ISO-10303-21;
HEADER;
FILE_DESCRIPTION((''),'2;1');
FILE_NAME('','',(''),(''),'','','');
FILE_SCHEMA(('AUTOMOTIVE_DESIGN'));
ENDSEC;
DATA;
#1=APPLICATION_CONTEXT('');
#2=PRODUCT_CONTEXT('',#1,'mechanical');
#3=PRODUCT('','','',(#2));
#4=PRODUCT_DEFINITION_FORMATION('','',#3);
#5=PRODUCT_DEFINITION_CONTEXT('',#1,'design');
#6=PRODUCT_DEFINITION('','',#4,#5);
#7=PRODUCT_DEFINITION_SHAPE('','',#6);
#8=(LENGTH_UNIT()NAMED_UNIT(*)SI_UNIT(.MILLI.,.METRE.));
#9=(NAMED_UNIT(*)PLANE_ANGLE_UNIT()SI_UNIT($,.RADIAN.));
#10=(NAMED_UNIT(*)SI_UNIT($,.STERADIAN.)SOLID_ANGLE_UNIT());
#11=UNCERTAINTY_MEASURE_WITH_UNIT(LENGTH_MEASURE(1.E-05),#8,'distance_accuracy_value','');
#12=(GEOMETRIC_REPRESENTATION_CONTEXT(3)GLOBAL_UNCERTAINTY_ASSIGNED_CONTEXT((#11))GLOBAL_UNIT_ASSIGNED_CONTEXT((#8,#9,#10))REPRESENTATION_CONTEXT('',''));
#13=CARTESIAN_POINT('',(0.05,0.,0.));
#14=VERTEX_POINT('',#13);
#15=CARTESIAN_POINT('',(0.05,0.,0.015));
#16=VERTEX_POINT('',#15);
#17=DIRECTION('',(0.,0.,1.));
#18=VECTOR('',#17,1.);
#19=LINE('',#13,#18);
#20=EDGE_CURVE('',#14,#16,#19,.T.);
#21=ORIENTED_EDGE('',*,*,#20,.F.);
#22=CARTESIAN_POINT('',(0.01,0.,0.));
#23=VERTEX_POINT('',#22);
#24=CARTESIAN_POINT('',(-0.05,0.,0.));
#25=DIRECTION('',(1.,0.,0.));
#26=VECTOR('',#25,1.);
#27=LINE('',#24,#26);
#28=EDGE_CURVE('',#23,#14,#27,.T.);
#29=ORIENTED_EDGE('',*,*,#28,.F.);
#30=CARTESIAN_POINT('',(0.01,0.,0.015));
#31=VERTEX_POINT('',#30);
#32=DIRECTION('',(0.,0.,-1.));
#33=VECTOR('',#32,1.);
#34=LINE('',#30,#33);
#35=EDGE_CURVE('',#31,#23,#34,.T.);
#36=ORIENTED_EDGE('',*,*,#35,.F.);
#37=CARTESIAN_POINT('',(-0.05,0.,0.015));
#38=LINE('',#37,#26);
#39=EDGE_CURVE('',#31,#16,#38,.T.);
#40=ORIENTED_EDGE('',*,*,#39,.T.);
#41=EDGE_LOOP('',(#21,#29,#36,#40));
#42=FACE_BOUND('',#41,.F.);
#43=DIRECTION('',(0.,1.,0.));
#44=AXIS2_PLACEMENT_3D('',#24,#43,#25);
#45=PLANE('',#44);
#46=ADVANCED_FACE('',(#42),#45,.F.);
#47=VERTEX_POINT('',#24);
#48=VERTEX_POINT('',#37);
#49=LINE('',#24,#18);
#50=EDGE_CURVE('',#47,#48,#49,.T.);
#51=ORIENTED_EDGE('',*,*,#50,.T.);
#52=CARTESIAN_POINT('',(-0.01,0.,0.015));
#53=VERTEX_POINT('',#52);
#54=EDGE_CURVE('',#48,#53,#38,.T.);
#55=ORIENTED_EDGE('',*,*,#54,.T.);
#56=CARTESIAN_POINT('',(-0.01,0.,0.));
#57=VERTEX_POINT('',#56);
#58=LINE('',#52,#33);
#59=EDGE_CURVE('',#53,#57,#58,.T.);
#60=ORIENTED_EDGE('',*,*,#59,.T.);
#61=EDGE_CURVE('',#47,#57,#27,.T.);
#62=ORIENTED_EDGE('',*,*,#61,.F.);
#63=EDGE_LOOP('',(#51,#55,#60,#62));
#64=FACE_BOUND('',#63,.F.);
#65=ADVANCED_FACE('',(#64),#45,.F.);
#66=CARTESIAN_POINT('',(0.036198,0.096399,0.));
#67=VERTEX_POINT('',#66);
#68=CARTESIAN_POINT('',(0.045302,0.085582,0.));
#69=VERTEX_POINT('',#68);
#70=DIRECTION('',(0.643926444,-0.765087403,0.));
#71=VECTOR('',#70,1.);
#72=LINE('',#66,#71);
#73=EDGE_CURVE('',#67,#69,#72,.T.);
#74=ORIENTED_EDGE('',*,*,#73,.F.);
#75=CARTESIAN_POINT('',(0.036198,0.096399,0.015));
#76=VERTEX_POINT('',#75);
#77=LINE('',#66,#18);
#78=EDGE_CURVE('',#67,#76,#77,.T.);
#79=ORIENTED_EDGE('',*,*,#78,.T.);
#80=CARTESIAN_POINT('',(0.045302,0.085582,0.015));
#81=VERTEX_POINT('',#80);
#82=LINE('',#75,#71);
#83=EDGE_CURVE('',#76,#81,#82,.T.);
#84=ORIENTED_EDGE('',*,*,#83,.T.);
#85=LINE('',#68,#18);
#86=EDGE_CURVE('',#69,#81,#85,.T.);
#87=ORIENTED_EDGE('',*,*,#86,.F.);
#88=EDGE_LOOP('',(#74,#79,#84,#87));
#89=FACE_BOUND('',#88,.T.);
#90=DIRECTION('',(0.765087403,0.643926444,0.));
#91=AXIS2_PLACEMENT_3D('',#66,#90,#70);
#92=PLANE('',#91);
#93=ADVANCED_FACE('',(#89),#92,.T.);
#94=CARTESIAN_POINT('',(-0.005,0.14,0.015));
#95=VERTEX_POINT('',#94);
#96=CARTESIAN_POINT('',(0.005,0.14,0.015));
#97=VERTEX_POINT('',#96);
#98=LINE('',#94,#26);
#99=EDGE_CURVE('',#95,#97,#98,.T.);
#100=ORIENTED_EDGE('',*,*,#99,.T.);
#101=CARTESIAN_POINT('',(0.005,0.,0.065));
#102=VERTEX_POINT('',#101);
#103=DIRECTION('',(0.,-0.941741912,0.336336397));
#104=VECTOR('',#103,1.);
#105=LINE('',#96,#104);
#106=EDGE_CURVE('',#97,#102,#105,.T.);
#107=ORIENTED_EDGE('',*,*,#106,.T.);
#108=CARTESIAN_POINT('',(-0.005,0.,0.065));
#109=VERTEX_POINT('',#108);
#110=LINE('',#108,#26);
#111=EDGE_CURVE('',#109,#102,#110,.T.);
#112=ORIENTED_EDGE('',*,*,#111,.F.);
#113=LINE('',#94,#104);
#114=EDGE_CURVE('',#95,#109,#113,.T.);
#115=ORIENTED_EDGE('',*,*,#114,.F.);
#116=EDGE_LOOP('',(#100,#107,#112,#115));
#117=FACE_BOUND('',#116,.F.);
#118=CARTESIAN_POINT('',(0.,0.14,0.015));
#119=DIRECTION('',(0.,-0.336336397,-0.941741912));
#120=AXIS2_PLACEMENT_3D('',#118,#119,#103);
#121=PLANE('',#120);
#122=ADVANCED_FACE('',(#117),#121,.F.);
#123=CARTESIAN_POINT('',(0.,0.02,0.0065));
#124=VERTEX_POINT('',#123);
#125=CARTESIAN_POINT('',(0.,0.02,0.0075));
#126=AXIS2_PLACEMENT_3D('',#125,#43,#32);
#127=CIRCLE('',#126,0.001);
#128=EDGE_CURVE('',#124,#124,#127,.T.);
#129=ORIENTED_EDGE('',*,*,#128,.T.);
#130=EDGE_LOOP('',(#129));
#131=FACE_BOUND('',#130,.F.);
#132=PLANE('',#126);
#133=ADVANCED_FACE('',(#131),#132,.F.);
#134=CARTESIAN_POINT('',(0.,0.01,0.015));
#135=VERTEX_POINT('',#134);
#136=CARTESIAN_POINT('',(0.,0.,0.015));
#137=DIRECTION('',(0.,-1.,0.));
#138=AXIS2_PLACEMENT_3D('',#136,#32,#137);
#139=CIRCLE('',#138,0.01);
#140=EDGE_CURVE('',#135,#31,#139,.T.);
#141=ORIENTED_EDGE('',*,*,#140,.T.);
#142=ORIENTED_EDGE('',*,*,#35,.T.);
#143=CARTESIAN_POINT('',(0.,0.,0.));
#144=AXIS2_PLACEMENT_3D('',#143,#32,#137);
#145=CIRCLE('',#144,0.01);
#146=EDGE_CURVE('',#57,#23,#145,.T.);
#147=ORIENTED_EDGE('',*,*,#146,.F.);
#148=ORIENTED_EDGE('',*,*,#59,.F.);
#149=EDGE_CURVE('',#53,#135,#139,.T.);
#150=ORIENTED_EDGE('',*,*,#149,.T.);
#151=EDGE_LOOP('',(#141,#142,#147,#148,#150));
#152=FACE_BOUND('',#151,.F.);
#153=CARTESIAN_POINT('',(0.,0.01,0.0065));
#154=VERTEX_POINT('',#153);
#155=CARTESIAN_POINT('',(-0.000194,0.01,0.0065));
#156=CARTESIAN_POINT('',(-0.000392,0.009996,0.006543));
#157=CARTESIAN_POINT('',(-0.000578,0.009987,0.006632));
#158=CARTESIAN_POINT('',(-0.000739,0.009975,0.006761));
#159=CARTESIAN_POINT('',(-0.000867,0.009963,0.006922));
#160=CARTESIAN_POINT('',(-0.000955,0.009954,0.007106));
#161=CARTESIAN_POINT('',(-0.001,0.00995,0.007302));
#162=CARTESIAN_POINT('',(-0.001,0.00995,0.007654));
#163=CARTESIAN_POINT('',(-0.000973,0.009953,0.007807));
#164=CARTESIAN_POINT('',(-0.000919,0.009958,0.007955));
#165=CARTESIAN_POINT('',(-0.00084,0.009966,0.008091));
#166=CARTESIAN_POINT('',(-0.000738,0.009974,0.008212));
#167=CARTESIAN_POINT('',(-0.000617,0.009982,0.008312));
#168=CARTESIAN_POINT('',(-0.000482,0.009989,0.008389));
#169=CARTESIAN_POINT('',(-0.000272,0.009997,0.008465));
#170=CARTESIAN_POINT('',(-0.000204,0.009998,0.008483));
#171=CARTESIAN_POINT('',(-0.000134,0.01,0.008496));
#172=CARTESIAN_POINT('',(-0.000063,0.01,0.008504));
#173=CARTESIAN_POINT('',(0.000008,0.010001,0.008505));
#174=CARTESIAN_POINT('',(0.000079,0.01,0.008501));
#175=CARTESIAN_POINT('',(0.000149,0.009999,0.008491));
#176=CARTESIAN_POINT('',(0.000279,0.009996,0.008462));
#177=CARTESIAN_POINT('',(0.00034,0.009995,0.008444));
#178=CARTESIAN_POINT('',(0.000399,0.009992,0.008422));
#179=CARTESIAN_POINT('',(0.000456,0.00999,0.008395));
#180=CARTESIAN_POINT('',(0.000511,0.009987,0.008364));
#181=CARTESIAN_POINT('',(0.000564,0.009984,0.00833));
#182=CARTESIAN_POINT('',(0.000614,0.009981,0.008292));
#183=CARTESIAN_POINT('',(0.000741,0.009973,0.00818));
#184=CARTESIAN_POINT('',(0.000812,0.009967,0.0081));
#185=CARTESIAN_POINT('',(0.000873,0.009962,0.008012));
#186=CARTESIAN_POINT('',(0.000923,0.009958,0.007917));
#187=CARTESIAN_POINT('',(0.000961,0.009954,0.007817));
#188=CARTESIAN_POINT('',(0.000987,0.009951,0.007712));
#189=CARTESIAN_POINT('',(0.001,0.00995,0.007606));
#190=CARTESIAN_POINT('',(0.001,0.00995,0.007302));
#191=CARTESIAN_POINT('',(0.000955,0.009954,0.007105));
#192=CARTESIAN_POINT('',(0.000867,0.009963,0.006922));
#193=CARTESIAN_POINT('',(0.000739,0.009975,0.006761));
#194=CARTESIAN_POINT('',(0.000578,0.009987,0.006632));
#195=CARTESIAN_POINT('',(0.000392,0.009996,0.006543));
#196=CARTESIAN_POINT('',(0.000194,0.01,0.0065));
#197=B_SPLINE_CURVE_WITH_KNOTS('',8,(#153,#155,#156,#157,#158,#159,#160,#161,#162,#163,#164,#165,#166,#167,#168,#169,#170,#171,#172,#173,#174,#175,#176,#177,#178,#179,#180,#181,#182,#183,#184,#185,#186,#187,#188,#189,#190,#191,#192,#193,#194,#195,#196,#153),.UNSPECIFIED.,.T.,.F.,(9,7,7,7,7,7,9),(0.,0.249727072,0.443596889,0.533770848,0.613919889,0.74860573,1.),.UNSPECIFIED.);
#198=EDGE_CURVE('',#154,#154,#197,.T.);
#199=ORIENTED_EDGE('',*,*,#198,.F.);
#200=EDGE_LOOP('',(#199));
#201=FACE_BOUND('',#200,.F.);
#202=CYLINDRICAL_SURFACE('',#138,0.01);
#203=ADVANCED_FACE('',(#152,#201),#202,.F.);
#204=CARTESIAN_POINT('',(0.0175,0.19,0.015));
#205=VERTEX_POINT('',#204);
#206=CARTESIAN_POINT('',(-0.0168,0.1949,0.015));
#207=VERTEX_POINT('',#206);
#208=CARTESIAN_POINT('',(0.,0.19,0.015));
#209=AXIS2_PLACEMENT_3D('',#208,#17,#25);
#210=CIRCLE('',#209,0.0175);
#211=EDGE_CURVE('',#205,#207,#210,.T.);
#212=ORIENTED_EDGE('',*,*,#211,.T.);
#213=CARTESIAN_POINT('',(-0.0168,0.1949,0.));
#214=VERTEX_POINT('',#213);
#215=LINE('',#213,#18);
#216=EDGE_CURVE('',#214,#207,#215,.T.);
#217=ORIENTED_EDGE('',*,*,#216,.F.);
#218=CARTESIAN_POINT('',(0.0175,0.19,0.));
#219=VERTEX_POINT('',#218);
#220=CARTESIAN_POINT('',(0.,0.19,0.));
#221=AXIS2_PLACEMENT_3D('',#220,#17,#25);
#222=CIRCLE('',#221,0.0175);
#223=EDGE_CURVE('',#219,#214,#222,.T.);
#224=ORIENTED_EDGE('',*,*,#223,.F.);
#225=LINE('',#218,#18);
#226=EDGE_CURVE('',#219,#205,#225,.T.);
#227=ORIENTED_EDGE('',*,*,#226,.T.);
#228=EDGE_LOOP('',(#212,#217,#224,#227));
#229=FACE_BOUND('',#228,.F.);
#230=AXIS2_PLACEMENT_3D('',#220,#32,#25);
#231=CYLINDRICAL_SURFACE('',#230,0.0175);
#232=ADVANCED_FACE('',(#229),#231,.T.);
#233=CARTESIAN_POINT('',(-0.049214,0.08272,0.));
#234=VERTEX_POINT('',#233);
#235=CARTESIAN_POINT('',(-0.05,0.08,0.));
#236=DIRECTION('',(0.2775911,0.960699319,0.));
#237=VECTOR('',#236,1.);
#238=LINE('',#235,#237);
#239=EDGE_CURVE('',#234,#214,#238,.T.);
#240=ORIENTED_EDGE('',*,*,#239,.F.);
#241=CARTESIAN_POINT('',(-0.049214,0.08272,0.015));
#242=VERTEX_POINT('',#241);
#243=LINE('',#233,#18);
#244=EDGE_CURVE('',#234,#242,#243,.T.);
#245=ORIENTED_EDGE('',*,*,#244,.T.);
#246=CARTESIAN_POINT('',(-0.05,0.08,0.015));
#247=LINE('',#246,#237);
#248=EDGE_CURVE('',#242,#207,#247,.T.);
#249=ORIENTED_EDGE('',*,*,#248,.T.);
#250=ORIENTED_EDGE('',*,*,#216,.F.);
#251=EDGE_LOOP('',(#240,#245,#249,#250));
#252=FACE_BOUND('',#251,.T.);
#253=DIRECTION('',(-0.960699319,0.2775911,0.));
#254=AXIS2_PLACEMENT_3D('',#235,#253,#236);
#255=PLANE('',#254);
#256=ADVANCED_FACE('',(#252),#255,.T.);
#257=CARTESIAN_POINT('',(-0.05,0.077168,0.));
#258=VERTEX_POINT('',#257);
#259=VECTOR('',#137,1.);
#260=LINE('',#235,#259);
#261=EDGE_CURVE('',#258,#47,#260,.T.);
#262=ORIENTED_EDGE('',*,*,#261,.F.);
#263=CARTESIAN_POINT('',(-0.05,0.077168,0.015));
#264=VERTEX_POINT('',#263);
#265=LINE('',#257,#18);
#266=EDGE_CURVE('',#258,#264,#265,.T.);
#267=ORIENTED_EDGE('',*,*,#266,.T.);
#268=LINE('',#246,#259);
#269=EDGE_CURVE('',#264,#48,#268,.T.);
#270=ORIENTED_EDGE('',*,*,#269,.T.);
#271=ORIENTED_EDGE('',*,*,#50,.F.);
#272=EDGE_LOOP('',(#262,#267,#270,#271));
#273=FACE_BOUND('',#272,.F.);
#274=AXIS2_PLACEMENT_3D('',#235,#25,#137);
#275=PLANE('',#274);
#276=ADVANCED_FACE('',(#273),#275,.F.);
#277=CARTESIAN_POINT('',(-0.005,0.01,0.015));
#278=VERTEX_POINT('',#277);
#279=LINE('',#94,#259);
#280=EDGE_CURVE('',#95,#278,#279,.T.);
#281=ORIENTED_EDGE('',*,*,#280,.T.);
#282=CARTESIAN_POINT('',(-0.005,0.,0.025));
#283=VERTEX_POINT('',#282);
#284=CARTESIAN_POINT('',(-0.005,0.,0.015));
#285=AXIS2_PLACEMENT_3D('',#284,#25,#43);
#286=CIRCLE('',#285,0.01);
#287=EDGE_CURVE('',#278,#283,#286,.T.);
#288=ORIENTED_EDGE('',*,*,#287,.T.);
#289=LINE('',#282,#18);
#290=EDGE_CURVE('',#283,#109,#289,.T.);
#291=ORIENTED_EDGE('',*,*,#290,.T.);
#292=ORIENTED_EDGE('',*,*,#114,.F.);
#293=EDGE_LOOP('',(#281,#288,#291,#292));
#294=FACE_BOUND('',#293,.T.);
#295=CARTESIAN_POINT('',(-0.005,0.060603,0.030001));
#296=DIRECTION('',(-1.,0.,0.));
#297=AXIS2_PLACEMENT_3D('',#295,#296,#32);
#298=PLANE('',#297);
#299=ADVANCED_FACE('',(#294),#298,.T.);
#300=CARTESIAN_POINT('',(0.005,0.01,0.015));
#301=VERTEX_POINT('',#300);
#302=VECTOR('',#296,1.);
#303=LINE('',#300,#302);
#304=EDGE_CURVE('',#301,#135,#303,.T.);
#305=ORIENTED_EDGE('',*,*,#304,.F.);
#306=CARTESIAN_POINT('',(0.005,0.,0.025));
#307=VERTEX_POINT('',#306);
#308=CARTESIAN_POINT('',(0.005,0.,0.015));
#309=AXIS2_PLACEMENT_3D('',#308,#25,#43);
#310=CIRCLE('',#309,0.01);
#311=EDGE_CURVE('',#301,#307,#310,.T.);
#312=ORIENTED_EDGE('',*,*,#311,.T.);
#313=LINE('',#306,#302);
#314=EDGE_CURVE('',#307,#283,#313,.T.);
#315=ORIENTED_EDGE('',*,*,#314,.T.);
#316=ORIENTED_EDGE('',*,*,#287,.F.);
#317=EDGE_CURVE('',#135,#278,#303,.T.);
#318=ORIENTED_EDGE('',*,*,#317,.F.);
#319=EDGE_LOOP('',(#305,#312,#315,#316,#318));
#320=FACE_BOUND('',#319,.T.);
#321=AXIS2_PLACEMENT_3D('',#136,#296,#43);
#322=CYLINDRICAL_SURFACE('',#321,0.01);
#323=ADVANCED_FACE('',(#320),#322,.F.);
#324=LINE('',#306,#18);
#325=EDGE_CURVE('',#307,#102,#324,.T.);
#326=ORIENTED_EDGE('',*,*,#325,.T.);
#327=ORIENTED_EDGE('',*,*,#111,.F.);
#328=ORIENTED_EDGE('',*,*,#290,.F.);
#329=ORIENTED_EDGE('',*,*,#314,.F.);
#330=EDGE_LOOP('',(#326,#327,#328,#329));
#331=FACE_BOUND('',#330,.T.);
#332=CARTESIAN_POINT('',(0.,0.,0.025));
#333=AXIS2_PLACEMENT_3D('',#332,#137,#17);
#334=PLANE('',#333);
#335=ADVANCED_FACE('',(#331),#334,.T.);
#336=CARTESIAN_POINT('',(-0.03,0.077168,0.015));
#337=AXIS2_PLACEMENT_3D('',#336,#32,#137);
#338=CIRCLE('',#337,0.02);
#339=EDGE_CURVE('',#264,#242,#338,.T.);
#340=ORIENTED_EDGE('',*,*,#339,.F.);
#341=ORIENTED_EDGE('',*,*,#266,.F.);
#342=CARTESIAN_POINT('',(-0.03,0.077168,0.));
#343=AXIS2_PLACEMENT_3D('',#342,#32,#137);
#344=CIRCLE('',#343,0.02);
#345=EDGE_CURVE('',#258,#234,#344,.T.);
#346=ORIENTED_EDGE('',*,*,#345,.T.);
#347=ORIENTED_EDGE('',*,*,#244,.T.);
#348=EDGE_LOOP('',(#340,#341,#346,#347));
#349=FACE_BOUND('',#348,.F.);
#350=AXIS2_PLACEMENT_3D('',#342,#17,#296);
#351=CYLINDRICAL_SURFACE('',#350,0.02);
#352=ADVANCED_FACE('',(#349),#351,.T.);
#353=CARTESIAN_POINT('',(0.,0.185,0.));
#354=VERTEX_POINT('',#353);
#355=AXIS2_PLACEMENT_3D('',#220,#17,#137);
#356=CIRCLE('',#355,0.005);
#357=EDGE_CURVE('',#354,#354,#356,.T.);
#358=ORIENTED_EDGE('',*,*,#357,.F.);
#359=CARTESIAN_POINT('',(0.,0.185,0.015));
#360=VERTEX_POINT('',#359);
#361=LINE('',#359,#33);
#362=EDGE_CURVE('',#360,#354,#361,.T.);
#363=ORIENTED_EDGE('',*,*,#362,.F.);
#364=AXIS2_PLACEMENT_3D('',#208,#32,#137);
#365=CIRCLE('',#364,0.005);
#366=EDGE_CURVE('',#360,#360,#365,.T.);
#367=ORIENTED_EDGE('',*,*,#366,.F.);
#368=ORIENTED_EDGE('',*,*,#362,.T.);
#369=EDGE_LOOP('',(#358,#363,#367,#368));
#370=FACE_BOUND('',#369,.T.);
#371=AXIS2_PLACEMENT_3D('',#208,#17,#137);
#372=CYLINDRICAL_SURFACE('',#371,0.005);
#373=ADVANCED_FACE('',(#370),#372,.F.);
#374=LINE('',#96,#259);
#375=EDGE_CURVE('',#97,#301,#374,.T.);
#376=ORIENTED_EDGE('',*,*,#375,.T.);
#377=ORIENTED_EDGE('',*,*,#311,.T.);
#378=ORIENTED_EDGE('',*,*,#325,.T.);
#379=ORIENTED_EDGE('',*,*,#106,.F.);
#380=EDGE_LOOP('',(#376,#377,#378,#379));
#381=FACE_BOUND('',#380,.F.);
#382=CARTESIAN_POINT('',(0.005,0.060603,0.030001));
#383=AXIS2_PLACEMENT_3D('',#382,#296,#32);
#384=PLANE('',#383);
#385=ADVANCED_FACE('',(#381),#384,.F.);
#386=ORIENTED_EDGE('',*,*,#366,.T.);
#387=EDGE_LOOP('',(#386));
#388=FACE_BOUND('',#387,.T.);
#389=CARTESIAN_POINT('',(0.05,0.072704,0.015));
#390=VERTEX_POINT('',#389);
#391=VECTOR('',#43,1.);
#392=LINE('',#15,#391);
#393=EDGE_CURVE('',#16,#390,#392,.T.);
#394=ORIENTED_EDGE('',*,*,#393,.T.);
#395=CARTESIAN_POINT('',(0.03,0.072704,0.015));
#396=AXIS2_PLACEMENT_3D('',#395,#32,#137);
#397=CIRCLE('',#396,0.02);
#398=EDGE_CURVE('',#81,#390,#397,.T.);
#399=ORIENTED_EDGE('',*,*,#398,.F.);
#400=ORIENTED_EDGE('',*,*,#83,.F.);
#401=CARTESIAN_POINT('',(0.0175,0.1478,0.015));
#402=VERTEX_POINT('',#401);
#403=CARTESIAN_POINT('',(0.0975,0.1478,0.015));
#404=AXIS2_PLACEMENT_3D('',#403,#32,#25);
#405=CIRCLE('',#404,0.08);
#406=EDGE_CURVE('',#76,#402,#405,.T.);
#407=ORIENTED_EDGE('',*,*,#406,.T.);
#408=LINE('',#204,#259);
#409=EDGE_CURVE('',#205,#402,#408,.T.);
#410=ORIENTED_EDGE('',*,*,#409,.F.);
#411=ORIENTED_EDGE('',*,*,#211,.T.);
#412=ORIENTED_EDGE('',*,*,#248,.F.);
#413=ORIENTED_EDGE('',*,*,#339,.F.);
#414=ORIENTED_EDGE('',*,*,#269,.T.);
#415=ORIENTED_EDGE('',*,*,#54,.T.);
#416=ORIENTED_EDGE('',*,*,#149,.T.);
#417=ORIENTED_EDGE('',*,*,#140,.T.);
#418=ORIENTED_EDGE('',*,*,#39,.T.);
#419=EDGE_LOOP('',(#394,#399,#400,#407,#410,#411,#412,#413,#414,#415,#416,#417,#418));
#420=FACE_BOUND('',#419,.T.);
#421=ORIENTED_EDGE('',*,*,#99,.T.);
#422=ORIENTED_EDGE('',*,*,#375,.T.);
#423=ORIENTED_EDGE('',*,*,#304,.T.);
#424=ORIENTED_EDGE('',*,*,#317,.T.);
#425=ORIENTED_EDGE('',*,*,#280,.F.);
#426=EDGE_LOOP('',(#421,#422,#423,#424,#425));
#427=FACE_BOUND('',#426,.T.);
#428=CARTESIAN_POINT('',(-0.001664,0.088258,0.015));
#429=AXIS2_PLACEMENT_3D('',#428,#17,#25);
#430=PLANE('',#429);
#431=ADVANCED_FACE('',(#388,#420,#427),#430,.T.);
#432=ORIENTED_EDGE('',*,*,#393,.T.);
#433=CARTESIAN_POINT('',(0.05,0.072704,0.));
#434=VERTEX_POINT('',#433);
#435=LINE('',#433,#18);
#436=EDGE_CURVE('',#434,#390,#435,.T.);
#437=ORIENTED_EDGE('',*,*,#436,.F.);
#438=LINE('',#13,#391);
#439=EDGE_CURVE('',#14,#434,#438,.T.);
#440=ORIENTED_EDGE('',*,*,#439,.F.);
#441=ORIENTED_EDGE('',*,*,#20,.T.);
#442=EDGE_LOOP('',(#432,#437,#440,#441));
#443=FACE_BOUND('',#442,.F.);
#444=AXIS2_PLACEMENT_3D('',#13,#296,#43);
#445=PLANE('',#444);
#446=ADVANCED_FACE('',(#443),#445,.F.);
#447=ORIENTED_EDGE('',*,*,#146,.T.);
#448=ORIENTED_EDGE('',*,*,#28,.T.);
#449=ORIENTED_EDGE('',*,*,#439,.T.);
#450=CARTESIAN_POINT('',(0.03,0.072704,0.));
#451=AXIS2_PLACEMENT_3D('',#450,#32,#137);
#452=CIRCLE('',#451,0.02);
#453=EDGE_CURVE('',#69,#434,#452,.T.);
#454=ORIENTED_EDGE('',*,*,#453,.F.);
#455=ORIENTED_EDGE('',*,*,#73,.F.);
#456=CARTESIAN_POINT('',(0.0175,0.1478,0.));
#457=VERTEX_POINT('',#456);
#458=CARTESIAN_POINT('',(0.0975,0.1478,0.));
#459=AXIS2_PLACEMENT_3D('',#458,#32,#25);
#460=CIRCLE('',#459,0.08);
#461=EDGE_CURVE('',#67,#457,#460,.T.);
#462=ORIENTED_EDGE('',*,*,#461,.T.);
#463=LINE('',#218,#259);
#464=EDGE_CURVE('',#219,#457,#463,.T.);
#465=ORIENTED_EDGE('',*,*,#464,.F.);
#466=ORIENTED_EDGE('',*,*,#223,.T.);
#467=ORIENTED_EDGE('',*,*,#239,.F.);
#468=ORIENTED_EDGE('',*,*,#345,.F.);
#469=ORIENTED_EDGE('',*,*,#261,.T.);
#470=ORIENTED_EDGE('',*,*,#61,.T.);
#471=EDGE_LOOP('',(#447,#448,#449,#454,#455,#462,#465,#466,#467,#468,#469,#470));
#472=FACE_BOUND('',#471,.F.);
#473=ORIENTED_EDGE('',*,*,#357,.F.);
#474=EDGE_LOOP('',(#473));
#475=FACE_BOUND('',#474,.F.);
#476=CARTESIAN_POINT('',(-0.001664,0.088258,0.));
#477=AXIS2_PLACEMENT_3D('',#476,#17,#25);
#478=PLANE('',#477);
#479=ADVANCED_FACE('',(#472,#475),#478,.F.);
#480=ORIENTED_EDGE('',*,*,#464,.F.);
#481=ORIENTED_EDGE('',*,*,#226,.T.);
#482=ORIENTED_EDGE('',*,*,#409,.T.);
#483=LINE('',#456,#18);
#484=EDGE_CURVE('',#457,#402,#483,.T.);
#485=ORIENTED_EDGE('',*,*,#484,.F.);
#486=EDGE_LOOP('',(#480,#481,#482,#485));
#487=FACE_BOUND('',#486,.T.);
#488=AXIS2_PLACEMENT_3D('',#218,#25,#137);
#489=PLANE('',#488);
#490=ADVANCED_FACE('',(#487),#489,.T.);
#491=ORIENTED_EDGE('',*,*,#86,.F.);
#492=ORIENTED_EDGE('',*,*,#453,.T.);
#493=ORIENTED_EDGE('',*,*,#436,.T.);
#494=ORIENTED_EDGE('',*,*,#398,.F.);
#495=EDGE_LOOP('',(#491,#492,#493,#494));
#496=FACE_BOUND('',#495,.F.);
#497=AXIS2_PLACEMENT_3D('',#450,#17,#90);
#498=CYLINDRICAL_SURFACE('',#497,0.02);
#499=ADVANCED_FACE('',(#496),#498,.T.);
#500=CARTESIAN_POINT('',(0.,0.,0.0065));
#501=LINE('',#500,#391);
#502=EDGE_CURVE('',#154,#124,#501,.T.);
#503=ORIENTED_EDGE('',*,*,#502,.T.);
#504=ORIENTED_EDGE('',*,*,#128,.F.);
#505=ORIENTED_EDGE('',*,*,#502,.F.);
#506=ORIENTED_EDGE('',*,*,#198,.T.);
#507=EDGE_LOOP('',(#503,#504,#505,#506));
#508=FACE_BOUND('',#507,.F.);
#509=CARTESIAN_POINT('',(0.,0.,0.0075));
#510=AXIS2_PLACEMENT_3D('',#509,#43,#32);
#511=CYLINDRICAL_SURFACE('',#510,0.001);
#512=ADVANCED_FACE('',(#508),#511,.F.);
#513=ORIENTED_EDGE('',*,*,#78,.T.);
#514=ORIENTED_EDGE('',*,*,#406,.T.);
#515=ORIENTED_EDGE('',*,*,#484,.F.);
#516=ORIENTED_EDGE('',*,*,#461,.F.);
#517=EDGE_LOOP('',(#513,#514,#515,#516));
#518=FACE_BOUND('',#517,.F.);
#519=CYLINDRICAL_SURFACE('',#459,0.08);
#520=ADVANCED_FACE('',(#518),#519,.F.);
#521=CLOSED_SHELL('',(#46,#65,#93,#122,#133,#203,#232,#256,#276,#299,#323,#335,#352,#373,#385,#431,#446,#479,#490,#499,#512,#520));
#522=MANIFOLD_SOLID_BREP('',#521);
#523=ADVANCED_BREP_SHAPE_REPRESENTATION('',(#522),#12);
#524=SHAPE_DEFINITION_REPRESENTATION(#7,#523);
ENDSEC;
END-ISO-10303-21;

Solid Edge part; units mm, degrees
sketch "Sketch1" plane through (0, 0, 0) normal (0, 0, 1) x (1, 0, 0)
  line L0 (-0.05, 0) -> (0.05, 0)
  line L1 (0.05, 0) -> (0.05, 0.08)
  line L2 (0.0362, 0.0964) -> (0.05, 0.08)
  line L3 (0.0175, 0.19) -> (0.0175, 0.1478)
  line L4 (-0.05, 0.08) -> (-0.0168, 0.1949)
  line L5 (-0.05, 0.08) -> (-0.05, 0)
  arc A0 (0.0362, 0.0964) -> (0.0175, 0.1478) centre (0.0975, 0.1478) cw
  arc A1 (0.0175, 0.19) -> (-0.0168, 0.1949) centre (0, 0.19) ccw
  dimension "D1" = 0.05
  dimension "D2" = 0.05
extrude "Protrusion1" add sketch "Sketch1" along normal blind 0.015
hole "Bohrung_1" at (0, 0, 0.0075) direction (0, 1, 0) diameter 0.002 depth 0.02
hole "Bohrung_2" at (0, 0.19, 0.015) direction (0, 0, -1) diameter 0.01 end through all
hole "Bohrung_3" at (0, 0, 0.015) direction (0, 0, -1) diameter 0.02 depth 3.175
sketch "Sketch2" plane through (0, 0, 0) normal (1, 0, 0) x (0, 1, 0)
  line L0 (0.14, 0.015) -> (0.01, 0.015)
  line L1 (0, 0.025) -> (0, 0.065)
  line L2 (0.14, 0.015) -> (0, 0.065)
  arc A0 (0.01, 0.015) -> (0, 0.025) centre (0, 0.015) ccw
extrude "Ausprägung_2" add sketch "Sketch2" along normal mid plane 0.01
fillet "Verrundung_1" radius 0.02 2 edges at (0.05, 0.08, 0.0075) (-0.05, 0.08, 0.0075)
